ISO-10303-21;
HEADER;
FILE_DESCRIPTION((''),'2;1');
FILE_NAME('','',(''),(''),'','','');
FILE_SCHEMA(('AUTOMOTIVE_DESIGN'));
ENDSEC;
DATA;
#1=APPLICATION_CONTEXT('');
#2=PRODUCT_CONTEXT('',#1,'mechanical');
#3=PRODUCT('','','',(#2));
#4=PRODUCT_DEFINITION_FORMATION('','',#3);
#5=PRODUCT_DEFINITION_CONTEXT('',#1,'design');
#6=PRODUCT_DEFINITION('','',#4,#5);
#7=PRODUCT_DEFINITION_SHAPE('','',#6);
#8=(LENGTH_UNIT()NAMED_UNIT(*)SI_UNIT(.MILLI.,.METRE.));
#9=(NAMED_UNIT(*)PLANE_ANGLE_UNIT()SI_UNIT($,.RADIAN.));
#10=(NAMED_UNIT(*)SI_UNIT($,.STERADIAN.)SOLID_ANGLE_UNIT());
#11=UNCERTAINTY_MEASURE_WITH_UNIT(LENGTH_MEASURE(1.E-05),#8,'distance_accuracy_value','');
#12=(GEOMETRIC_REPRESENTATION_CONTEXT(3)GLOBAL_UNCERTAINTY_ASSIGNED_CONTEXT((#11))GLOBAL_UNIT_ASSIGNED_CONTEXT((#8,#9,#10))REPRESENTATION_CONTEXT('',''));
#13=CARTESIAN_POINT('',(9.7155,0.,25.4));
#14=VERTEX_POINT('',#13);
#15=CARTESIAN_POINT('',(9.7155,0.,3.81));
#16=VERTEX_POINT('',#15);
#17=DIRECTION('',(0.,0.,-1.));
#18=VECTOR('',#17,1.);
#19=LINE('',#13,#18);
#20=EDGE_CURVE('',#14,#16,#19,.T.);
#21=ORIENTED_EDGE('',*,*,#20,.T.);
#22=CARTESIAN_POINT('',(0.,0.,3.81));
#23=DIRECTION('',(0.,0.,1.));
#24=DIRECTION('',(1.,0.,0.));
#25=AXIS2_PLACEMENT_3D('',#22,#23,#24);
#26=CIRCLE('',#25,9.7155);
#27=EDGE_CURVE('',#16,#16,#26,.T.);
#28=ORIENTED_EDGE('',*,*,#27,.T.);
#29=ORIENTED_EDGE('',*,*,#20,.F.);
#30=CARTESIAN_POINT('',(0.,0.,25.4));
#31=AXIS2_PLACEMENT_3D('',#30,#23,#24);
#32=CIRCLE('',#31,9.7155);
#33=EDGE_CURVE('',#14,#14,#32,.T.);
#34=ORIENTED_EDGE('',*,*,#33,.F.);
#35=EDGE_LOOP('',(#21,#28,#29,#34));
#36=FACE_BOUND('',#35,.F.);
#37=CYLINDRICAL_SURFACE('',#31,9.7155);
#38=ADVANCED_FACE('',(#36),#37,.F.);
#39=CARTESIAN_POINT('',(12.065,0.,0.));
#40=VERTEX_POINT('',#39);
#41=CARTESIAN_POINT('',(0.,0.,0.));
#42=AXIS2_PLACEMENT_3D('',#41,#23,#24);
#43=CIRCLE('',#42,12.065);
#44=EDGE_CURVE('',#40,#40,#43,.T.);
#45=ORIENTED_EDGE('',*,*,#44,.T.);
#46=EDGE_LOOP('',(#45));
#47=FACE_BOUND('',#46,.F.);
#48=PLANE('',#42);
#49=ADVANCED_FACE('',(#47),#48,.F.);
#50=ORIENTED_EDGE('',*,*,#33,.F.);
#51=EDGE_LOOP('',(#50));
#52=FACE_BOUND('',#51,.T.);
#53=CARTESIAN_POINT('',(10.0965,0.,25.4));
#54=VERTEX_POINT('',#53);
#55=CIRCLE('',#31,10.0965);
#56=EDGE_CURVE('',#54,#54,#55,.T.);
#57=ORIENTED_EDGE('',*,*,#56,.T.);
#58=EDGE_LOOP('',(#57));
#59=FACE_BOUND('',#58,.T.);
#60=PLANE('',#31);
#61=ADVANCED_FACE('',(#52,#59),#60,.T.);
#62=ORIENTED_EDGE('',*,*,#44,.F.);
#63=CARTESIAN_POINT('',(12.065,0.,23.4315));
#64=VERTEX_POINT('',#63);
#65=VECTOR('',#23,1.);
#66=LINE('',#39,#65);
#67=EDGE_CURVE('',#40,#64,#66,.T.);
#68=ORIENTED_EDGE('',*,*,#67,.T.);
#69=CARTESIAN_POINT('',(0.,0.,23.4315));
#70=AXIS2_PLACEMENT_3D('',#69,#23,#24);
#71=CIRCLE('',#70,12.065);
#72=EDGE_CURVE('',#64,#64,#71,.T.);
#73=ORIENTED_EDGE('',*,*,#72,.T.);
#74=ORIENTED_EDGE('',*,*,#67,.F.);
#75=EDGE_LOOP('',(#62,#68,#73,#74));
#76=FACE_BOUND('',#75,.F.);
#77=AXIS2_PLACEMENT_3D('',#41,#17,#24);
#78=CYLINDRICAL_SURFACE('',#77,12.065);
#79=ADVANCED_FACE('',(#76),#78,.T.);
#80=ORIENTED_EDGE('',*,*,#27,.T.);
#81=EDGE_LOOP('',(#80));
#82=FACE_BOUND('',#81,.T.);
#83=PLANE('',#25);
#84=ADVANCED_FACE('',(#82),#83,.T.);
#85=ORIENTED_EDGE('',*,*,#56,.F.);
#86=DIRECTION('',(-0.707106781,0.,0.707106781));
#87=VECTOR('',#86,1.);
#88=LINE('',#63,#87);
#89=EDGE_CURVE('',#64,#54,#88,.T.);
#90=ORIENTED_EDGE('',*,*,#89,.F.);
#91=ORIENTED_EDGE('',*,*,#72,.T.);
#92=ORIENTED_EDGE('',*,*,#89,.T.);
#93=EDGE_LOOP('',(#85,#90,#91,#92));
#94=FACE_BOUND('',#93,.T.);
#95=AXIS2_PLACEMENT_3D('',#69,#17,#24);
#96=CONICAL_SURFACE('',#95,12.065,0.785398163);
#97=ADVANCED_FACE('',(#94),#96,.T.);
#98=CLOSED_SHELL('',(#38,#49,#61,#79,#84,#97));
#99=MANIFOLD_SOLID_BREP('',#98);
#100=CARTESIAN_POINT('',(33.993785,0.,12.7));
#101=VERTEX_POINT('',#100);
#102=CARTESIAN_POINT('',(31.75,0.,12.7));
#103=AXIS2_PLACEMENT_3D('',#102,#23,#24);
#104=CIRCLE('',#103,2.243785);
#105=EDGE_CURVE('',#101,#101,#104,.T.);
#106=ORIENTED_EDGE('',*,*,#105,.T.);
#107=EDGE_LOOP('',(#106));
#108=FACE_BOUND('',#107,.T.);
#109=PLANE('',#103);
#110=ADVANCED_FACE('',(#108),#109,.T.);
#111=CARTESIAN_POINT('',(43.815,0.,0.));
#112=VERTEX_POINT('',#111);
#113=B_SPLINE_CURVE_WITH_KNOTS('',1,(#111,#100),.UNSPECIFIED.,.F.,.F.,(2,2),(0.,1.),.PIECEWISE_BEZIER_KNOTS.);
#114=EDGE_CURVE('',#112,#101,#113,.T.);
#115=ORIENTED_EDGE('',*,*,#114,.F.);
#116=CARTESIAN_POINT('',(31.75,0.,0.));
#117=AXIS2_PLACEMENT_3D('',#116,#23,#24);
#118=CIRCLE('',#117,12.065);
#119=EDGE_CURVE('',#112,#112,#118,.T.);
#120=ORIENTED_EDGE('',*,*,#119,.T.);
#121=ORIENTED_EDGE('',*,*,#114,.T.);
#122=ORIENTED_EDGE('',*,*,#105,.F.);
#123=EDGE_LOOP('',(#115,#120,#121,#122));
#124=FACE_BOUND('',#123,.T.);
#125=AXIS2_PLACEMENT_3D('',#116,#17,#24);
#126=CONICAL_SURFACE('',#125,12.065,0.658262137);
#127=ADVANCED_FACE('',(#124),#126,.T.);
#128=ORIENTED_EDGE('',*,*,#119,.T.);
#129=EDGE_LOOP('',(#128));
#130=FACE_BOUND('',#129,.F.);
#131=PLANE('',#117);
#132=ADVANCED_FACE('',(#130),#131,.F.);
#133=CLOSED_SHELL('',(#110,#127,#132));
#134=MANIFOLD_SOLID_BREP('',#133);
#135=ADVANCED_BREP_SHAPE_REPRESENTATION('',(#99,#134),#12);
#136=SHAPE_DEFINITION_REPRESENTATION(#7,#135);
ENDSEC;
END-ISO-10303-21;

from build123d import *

# Parameters (mm, degrees)
F0_R     = 12.065
F1_DEPTH = 25.4
F2_R     = 9.7155
F3_DEPTH = 21.59
F4_R     = 12.065
F6_R     = 2.243785
F8_SIZE  = 1.9685


with BuildPart() as f1:
    # F0 (on Top) → F1 (new body)
    with BuildSketch(Plane.XY):
        Circle(F0_R)
    extrude(amount=F1_DEPTH)

    # F2 (on face) → F3 (cut)
    with BuildSketch(Plane.XY.offset(25.4)):
        Circle(F2_R)
    extrude(amount=-F3_DEPTH, mode=Mode.SUBTRACT)

    # F8
    f8_edges = [f1.edges().sort_by_distance(p)[0] for p in [
        (-12.065, 0, 25.4),
    ]]
    chamfer(f8_edges, length=F8_SIZE)


with BuildPart() as f7:
    # F4 (on Top) → F7 section 0
    with BuildSketch(Plane.XY):
        with Locations((31.75, 0)):
            Circle(F4_R)
    # F6 (on offset) → F7 section 1
    with BuildSketch(Plane.XY.offset(12.7)):
        with Locations((31.75, 0)):
            Circle(F6_R)
    loft()


solid = Compound([f1.part, f7.part])
